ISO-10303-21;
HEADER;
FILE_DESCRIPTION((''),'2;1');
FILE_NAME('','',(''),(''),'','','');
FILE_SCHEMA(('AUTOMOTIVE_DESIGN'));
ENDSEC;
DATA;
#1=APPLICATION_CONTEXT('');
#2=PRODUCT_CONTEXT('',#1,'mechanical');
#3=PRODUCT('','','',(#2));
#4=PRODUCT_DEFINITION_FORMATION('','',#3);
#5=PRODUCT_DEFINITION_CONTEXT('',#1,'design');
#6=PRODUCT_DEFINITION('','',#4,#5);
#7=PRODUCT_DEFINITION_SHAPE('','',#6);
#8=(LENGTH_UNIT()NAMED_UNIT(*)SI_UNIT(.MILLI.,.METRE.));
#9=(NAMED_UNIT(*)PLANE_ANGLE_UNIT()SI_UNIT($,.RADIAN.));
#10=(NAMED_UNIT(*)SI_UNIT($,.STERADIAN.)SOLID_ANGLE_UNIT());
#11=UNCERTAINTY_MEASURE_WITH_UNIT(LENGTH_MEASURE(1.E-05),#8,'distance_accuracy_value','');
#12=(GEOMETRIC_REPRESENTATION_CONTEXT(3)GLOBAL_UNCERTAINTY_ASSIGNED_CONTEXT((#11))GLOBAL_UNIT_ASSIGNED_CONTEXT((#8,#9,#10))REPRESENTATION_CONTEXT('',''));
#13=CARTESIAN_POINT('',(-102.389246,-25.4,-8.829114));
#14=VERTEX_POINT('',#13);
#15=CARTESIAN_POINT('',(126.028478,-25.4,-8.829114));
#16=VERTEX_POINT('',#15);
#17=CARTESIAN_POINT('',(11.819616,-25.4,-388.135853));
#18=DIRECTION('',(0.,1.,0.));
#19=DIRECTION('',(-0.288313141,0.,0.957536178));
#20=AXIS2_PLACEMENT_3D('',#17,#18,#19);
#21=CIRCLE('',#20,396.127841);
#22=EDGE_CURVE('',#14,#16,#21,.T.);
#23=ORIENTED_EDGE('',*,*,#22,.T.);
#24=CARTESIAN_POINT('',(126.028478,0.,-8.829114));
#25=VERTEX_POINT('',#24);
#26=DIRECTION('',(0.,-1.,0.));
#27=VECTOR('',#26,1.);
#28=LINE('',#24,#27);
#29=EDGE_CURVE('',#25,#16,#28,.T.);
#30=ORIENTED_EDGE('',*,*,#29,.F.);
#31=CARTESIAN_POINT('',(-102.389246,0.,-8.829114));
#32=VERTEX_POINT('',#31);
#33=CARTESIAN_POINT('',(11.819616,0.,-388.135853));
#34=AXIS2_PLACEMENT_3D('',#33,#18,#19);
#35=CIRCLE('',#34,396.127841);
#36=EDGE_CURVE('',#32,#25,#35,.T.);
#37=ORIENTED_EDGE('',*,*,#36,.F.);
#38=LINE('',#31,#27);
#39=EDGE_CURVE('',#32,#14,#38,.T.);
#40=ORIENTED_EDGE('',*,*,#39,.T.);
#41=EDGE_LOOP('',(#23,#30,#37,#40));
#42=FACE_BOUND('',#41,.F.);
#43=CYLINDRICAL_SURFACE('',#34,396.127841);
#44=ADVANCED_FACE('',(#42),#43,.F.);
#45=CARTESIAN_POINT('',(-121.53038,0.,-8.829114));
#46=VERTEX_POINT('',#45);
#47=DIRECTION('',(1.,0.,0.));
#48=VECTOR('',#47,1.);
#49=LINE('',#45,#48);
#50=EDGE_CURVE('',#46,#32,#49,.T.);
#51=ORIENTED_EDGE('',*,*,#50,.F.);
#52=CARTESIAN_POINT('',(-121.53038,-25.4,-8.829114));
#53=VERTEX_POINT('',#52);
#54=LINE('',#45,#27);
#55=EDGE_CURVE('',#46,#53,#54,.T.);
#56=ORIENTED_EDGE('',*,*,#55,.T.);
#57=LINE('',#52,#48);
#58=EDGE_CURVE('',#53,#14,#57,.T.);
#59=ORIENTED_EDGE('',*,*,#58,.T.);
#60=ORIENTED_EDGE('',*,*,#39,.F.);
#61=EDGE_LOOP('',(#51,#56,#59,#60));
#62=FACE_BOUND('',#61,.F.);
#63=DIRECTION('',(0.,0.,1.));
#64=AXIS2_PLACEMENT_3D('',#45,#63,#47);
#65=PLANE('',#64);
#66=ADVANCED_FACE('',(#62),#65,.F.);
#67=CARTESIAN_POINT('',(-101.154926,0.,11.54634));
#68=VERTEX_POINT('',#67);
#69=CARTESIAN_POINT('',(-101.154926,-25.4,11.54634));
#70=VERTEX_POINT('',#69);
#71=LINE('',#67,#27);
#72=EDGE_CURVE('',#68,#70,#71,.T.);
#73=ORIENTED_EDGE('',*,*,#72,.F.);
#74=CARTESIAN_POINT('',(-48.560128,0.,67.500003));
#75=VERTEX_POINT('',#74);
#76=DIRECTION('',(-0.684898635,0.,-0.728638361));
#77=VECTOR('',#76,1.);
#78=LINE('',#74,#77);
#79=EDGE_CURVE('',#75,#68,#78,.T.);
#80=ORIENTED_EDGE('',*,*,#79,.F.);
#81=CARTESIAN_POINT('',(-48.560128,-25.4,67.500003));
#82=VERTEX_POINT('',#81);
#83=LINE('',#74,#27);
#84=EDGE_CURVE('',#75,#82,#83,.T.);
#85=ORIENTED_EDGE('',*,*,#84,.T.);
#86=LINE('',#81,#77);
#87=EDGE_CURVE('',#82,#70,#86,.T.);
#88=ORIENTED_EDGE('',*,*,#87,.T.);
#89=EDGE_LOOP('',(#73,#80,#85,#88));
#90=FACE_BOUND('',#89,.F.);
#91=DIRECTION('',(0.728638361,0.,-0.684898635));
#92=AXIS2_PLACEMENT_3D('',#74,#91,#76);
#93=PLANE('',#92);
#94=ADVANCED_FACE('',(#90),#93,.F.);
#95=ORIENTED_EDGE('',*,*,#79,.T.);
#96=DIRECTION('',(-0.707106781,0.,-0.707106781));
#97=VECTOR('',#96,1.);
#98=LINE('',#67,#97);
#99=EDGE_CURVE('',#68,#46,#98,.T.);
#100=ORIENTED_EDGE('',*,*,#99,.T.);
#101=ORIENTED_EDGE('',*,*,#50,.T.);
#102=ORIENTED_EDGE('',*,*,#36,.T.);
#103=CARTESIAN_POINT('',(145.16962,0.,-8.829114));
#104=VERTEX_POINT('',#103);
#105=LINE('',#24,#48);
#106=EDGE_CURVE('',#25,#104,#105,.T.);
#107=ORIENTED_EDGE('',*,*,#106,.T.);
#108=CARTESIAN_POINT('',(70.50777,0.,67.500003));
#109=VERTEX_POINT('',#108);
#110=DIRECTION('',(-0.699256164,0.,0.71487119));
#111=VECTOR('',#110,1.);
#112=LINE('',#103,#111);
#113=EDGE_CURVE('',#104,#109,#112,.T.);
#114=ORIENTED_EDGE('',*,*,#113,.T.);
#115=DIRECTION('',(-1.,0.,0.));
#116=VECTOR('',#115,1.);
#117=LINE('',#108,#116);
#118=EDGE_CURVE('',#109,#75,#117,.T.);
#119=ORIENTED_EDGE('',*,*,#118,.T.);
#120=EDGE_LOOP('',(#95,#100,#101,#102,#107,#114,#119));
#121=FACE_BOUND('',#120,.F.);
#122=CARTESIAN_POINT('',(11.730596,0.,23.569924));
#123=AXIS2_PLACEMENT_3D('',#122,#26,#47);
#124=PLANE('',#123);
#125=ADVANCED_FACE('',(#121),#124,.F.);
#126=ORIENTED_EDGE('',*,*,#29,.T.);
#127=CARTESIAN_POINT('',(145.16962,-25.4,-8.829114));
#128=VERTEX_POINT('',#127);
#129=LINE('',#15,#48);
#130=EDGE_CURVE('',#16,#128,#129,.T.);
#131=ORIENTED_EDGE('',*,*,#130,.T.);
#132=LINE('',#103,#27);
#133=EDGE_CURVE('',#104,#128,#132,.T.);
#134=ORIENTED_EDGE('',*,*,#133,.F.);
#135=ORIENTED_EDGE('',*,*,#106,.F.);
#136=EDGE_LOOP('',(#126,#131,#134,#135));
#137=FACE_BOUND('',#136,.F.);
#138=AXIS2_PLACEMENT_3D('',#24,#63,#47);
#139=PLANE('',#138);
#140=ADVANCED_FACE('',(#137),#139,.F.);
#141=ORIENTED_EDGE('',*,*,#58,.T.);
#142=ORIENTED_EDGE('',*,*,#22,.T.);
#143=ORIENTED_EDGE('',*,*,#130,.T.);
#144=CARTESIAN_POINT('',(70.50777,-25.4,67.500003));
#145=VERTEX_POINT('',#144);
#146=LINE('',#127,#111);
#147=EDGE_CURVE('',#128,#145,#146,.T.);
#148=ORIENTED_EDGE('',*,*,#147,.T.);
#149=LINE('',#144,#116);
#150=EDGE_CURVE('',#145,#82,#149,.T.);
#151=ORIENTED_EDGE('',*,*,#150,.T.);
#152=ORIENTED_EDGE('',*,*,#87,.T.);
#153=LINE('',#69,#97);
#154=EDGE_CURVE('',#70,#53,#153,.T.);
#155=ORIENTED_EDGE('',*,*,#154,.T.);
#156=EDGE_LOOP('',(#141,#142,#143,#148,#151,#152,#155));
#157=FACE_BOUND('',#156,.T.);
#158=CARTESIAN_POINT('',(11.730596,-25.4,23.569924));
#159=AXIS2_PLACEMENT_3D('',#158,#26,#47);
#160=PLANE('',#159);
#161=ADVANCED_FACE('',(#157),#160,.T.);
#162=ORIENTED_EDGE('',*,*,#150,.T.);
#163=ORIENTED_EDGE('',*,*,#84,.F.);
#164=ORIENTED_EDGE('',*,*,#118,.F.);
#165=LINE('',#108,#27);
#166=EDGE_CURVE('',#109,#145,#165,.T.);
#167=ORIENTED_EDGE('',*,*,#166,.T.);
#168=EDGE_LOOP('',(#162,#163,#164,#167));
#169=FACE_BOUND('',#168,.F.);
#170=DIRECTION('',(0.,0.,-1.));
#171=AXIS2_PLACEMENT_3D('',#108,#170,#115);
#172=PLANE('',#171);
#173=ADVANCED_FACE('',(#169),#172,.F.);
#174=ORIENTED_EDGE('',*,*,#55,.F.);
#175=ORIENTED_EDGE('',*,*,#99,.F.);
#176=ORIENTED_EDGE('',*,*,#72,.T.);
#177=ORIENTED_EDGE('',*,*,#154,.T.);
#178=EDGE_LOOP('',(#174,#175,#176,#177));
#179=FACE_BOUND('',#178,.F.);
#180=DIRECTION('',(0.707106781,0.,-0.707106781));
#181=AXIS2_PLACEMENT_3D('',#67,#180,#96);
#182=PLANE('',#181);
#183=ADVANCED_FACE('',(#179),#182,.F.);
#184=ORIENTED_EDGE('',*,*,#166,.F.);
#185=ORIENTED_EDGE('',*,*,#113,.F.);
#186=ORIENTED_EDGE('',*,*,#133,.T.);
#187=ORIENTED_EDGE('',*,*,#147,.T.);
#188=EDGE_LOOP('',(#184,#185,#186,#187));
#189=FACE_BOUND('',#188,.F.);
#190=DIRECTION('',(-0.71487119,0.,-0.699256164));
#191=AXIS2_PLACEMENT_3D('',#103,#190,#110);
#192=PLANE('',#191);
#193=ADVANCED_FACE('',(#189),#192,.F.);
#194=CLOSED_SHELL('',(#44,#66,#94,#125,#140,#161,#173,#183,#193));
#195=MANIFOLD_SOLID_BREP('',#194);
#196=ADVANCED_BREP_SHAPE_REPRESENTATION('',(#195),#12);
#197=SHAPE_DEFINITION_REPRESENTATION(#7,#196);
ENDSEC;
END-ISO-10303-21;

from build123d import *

# Parameters (mm, degrees)
F1_DEPTH = 25.4


with BuildPart() as f1:
    # F0 (on Front) → F1 (new body)
    with BuildSketch(Plane.XZ):
        with BuildLine():
            Line((-101.154926, 11.54634), (-121.53038, -8.829114))
            Line((-121.53038, -8.829114), (-102.389246, -8.829114))
            ThreePointArc((-102.389246, -8.829114), (11.819616, 7.991988), (126.028478, -8.829114))
            Line((126.028478, -8.829114), (145.16962, -8.829114))
            Line((145.16962, -8.829114), (70.50777, 67.500003))
            Line((70.50777, 67.500003), (-48.560128, 67.500003))
            Line((-48.560128, 67.500003), (-101.154926, 11.54634))
        make_face()
    extrude(amount=F1_DEPTH)


solid = f1.part
